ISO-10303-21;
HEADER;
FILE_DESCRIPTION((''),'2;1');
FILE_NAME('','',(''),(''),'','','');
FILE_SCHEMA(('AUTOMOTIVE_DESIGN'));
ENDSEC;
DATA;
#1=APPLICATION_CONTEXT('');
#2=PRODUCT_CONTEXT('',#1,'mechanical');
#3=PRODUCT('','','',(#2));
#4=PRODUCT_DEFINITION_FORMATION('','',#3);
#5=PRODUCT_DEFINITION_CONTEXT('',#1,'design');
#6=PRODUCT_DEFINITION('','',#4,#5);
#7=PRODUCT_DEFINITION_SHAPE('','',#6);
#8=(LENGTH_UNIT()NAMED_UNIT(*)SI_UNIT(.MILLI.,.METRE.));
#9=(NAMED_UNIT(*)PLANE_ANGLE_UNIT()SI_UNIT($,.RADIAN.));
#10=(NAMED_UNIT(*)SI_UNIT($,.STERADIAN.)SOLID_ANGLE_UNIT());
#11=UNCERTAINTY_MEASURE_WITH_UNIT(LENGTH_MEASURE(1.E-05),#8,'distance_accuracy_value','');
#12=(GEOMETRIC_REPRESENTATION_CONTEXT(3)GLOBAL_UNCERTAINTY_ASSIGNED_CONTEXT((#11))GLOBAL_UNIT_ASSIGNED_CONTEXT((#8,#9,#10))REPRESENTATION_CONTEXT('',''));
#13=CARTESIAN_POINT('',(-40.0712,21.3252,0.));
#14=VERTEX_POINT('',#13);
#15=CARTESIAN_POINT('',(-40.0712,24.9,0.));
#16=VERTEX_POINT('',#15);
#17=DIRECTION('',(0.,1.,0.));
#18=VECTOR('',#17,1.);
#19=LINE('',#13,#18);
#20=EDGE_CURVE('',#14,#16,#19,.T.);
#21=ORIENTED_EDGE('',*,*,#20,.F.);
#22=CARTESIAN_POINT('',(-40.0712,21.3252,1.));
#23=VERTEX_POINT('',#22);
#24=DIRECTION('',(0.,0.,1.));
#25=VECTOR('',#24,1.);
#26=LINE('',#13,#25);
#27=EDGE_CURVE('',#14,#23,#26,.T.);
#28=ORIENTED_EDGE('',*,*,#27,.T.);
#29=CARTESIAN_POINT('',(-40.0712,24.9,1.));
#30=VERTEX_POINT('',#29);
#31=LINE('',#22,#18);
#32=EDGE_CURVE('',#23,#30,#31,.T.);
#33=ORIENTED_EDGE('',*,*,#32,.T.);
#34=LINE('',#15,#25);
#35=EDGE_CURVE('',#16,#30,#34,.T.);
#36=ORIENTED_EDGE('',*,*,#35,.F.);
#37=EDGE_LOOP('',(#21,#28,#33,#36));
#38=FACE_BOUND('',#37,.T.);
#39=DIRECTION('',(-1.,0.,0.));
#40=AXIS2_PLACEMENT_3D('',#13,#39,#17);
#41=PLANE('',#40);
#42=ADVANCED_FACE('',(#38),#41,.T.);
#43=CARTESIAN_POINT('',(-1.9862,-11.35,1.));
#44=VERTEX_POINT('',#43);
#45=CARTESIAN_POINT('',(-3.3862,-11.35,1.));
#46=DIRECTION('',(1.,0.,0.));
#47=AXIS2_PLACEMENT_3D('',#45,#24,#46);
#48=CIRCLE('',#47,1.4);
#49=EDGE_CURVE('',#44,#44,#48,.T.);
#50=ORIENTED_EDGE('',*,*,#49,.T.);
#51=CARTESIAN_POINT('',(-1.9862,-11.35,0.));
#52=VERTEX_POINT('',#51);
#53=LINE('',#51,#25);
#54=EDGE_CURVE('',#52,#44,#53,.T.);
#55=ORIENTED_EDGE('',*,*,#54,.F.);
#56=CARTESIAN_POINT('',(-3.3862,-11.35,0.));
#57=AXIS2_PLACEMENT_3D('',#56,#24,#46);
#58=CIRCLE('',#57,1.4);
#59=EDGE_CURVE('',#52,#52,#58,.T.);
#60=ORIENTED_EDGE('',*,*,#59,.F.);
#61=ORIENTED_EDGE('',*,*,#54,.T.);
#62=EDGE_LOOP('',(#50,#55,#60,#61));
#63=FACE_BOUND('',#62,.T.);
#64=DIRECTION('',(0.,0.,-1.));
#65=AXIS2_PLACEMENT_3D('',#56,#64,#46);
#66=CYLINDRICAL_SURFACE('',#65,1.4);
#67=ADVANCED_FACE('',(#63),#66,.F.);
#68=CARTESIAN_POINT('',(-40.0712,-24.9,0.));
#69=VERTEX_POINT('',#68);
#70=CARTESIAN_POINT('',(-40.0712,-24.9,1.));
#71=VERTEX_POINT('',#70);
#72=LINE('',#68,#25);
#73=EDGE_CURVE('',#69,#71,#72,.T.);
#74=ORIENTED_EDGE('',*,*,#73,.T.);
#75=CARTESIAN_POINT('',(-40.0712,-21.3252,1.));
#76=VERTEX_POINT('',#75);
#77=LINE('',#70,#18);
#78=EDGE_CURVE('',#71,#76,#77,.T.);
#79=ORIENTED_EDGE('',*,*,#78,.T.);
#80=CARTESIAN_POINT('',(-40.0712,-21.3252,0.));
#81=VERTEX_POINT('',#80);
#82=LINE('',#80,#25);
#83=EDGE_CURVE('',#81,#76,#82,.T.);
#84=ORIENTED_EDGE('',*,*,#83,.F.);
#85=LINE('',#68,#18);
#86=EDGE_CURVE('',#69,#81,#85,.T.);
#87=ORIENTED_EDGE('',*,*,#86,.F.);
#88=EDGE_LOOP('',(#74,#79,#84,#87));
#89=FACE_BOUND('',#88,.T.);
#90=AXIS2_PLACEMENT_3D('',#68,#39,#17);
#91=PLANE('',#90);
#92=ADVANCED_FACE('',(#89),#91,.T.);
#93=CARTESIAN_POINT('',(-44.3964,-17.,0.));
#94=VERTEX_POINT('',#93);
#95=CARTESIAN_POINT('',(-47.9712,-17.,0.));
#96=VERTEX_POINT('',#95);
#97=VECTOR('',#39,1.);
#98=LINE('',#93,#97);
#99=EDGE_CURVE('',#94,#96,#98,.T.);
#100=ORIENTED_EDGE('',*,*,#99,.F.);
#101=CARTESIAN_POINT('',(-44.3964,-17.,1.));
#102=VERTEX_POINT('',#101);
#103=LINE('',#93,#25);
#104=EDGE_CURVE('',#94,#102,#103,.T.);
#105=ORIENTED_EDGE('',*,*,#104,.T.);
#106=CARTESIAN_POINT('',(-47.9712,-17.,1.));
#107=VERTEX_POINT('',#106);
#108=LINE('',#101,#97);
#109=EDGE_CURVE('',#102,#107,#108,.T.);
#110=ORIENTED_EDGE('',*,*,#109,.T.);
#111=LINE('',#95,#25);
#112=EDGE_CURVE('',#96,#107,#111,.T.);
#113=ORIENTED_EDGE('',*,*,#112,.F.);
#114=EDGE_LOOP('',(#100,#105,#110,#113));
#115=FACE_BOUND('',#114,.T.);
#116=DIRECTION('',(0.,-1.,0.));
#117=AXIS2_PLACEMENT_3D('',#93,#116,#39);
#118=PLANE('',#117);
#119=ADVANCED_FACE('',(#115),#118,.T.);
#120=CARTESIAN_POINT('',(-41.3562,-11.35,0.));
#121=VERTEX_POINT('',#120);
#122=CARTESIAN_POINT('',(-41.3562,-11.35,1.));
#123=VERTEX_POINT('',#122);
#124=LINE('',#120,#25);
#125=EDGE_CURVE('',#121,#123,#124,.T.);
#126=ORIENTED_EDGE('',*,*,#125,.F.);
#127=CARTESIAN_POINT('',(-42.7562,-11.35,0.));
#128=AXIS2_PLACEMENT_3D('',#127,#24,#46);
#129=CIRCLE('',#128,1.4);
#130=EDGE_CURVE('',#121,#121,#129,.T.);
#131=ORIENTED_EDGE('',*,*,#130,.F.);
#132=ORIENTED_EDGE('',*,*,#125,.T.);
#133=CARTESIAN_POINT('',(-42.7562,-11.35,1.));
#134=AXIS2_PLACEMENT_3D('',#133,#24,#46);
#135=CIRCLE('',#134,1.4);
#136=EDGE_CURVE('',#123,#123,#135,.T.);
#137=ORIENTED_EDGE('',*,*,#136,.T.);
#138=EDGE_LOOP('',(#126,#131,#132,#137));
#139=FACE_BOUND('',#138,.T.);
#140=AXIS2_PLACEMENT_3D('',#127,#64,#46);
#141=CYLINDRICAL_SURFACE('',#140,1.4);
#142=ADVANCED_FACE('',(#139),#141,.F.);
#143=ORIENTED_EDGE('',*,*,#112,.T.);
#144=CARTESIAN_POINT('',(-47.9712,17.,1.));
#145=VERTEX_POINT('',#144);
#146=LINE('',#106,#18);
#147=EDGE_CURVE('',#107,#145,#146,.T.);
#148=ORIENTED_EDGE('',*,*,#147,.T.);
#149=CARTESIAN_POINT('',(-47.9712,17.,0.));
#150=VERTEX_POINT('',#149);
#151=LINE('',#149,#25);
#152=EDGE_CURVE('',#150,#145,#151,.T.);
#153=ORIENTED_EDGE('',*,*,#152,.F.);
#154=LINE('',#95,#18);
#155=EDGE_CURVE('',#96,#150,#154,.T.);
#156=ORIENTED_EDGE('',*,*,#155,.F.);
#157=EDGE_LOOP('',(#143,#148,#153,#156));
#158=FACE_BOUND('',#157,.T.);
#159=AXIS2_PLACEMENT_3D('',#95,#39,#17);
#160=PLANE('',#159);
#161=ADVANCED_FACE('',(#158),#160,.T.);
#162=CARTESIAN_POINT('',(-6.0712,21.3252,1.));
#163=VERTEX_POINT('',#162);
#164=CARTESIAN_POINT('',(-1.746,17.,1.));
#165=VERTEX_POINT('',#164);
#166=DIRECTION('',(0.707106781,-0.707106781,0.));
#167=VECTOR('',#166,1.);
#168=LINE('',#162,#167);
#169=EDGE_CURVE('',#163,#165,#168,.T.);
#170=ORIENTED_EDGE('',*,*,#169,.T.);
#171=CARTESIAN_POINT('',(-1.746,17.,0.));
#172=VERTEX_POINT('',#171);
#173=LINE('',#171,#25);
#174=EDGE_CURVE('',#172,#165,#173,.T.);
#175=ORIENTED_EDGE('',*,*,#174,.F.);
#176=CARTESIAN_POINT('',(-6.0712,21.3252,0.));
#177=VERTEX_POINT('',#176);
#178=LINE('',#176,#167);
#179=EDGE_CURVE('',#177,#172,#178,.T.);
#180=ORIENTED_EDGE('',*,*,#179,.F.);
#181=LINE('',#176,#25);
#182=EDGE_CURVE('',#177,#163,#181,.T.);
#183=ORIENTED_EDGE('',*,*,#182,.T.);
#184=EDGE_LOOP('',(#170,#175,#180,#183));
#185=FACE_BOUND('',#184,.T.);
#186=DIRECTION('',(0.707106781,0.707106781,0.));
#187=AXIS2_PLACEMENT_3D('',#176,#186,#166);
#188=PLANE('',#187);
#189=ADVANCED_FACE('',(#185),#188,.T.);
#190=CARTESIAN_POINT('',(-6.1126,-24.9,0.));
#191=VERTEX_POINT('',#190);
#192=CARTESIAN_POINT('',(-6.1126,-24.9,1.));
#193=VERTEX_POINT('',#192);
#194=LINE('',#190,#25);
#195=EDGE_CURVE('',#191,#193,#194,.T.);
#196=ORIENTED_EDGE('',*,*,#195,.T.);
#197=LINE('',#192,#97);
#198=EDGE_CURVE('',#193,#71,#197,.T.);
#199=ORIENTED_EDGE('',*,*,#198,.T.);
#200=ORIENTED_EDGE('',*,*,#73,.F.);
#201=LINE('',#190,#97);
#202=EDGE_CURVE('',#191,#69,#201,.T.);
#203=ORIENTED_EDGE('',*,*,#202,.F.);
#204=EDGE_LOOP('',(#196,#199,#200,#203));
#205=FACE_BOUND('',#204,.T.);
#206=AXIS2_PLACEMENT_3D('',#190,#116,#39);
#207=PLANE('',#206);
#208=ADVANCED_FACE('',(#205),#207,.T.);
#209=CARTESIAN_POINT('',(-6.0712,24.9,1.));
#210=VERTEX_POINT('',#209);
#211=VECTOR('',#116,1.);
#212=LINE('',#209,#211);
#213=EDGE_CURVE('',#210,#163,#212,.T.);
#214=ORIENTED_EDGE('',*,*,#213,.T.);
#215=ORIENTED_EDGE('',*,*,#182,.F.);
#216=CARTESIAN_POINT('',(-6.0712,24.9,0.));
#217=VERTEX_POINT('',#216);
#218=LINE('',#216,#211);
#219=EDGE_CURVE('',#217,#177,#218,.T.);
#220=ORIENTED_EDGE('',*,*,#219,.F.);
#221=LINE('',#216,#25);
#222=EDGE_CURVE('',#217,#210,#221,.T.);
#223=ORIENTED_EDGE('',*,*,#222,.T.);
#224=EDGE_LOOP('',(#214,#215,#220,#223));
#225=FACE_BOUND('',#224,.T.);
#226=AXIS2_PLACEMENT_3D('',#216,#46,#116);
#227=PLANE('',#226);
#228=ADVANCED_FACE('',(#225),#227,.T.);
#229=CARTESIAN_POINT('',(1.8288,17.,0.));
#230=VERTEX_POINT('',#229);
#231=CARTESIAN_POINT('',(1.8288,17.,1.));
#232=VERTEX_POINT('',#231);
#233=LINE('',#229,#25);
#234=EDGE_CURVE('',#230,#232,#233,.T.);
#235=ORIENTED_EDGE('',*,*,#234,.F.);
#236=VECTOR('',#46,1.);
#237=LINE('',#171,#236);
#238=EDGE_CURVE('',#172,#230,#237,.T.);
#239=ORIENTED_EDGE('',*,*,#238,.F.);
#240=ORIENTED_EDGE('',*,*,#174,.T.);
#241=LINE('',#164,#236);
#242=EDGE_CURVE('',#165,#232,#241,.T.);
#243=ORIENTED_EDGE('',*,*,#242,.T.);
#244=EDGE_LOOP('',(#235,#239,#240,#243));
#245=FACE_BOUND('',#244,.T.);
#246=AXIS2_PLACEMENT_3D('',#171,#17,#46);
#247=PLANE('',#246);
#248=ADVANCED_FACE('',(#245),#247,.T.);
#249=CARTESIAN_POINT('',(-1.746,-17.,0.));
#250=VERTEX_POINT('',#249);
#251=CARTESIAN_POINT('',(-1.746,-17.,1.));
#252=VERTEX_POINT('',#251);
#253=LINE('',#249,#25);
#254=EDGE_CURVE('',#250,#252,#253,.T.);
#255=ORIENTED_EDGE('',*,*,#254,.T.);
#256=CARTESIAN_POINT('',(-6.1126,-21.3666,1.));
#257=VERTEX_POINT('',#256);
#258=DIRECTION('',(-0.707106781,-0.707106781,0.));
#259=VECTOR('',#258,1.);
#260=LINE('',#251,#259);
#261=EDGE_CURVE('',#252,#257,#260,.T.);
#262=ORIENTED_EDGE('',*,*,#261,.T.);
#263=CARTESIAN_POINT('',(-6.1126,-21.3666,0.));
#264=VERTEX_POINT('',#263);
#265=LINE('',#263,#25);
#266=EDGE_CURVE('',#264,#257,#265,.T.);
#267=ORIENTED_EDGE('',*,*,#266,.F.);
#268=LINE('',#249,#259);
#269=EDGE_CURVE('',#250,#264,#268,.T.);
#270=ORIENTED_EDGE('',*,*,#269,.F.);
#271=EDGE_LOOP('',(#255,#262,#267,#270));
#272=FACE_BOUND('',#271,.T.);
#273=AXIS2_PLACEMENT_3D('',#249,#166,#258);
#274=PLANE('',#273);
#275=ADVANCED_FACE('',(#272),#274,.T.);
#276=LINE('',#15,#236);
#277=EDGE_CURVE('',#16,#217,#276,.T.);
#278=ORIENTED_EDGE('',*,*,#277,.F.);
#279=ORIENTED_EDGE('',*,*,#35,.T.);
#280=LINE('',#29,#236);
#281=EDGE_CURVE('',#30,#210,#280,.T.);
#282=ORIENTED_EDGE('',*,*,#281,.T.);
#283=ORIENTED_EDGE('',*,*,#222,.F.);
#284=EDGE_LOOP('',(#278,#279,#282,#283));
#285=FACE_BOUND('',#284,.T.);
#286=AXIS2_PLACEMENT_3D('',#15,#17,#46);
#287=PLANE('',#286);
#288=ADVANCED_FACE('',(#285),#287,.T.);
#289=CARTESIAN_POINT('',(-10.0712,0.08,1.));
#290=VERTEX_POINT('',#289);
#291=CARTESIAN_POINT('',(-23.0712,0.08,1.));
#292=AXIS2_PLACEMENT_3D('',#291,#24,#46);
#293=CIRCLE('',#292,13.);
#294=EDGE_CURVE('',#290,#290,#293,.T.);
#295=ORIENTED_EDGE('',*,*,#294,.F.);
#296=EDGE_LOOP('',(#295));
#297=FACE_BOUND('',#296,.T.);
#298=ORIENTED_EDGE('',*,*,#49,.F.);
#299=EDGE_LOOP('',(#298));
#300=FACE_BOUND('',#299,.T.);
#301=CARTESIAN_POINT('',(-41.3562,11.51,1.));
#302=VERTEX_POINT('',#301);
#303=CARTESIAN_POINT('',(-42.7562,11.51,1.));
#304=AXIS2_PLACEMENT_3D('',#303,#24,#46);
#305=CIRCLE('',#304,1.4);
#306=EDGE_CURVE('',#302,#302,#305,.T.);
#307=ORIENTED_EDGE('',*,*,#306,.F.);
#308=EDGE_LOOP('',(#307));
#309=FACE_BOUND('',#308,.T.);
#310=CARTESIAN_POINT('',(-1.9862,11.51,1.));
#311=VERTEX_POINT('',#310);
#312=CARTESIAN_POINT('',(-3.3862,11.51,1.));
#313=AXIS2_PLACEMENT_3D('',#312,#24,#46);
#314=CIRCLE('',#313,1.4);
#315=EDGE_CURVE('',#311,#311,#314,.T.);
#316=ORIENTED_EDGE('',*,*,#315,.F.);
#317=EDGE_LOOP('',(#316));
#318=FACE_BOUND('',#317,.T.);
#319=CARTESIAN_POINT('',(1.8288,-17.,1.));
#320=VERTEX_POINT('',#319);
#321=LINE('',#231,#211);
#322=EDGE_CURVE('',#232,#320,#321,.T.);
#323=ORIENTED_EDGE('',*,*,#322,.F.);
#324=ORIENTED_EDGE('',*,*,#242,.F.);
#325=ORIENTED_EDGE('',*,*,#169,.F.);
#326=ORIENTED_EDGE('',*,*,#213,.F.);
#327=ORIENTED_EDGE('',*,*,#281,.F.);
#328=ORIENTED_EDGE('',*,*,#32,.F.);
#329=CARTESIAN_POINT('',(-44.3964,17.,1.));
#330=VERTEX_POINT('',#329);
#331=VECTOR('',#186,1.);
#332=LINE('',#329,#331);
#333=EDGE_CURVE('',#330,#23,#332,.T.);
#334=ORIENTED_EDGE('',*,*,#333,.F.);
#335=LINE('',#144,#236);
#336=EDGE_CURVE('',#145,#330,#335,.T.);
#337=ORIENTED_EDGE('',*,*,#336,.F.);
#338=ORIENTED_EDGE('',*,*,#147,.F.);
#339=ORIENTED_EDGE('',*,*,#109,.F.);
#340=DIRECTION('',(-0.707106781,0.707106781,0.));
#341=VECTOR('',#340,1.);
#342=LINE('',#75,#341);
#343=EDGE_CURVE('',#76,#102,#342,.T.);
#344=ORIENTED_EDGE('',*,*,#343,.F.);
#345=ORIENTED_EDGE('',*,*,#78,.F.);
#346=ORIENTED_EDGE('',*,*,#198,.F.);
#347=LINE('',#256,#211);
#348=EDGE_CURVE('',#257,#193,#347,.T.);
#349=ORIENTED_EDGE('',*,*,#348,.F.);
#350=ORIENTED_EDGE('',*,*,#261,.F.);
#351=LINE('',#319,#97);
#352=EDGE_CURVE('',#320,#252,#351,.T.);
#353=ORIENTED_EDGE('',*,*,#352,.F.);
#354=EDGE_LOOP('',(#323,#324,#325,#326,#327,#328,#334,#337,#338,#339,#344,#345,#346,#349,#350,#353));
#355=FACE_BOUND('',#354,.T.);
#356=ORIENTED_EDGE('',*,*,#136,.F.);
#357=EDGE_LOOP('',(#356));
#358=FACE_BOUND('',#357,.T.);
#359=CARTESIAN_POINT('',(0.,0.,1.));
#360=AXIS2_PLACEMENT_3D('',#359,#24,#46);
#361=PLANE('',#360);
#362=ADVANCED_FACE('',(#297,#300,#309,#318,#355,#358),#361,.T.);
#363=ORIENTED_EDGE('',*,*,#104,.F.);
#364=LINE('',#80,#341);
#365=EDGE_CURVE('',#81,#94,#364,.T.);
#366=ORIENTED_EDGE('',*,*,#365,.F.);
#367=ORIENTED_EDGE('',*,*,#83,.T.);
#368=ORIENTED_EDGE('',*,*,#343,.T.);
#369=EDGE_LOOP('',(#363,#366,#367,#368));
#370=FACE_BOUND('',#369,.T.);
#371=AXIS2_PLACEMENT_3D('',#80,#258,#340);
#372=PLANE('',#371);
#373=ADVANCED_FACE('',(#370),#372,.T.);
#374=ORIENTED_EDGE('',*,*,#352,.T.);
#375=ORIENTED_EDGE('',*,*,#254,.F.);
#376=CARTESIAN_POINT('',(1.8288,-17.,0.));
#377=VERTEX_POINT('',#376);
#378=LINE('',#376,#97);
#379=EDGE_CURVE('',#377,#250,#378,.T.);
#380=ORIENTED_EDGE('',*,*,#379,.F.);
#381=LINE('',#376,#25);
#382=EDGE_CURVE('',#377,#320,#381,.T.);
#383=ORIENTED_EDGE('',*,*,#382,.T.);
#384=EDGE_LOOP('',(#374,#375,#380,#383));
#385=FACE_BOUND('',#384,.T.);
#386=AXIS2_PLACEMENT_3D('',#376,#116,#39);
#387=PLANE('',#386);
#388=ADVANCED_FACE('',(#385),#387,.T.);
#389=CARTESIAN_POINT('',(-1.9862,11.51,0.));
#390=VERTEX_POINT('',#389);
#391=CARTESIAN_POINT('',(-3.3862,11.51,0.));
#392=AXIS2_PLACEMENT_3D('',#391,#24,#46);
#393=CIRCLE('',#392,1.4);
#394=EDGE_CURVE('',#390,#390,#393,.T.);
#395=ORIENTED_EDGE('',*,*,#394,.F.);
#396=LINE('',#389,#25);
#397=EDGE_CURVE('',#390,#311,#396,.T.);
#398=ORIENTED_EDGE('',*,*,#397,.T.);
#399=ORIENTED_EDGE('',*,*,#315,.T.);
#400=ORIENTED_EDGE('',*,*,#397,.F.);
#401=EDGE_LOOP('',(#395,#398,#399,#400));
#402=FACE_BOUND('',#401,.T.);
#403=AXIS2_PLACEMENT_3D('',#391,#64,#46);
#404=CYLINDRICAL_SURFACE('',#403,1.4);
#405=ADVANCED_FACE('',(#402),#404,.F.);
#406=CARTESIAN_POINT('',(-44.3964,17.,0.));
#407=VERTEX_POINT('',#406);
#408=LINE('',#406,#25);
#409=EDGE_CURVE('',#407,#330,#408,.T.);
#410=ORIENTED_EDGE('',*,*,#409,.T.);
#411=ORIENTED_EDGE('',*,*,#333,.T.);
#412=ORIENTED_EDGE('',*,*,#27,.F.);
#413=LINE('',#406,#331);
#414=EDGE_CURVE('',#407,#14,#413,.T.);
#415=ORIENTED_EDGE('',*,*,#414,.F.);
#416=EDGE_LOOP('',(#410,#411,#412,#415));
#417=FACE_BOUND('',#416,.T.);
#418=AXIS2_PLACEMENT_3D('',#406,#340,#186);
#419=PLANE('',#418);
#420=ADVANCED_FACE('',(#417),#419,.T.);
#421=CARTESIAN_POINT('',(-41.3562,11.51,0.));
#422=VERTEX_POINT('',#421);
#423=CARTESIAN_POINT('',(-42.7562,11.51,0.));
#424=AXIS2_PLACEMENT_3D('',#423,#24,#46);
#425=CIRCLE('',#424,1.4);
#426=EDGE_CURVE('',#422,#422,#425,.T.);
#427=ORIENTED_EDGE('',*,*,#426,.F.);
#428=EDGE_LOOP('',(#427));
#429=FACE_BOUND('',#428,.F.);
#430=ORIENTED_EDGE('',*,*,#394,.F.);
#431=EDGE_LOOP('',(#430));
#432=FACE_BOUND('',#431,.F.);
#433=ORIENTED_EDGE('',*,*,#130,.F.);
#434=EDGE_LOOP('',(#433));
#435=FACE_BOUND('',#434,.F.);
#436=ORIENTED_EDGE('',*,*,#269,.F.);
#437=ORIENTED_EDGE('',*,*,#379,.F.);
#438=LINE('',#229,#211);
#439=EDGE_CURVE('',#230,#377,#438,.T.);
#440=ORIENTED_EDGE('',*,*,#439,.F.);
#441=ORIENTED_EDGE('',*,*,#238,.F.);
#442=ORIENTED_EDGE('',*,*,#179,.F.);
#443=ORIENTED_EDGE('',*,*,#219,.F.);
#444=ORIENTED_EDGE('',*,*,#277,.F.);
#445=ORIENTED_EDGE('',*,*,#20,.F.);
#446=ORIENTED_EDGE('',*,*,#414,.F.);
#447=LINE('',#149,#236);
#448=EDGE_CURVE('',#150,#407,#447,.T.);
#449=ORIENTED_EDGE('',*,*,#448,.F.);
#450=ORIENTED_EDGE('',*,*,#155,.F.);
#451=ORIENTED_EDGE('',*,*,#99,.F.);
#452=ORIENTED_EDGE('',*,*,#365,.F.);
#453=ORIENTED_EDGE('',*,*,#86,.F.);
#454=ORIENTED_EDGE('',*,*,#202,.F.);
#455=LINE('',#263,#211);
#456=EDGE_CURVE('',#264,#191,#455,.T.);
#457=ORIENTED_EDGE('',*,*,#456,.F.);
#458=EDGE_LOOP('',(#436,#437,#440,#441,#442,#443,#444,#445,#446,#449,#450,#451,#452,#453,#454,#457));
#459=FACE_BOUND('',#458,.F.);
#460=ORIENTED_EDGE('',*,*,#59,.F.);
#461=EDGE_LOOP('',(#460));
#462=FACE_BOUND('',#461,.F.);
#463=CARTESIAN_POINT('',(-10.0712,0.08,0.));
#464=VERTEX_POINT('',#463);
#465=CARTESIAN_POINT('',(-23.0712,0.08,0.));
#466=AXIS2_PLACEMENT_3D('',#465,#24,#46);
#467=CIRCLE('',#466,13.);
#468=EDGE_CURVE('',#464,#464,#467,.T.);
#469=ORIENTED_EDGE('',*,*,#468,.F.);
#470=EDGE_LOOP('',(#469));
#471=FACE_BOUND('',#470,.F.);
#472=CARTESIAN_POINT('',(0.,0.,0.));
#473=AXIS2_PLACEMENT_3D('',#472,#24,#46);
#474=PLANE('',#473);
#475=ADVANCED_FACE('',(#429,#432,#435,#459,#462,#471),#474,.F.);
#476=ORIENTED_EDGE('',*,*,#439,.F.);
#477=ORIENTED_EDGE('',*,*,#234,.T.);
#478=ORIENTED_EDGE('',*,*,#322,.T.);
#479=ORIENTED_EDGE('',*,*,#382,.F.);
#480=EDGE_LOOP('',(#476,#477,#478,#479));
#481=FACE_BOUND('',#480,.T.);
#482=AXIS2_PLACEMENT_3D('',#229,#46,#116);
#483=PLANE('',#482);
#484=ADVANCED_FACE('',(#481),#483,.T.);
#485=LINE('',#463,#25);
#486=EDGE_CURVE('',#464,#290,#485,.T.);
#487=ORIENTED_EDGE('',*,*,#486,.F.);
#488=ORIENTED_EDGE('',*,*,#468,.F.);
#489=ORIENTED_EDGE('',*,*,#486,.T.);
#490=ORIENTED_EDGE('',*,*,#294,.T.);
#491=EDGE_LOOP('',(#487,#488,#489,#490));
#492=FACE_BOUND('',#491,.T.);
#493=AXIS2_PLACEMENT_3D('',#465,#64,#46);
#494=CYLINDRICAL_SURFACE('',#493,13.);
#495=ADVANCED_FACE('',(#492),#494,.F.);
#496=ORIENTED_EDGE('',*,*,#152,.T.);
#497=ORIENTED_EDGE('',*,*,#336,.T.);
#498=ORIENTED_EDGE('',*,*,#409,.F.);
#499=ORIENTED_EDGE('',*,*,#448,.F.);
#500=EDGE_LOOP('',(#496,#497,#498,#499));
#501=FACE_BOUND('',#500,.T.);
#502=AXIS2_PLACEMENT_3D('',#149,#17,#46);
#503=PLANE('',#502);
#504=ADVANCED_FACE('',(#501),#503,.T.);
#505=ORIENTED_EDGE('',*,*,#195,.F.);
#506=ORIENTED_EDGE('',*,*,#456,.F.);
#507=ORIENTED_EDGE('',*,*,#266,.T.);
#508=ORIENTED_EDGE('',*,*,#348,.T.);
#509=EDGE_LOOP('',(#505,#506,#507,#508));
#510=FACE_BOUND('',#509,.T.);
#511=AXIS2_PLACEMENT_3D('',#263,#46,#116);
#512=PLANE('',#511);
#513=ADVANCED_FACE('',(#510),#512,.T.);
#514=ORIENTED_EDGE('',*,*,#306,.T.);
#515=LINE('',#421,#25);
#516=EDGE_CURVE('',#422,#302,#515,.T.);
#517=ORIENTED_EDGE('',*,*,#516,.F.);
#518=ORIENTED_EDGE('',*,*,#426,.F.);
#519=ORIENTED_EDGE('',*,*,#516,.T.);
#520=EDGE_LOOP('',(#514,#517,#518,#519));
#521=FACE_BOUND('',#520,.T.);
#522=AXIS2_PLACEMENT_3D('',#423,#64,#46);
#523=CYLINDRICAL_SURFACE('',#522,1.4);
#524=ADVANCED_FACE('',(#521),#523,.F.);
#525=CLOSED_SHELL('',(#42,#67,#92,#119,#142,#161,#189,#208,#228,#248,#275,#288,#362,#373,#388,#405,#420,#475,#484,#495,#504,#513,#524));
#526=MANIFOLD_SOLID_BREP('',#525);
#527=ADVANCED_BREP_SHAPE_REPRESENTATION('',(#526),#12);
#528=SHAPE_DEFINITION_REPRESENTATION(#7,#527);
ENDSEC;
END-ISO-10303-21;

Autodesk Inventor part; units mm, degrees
ref_plane "YZ Plane" through (0, 0, 0) normal (1, 0, 0) x (0, 1, 0)
ref_plane "XZ Plane" through (0, 0, 0) normal (0, 1, 0) x (-1, 0, 0)
ref_plane "XY Plane" through (0, 0, 0) normal (0, 0, 1) x (1, 0, 0)
ref_plane "Arbeitsebene1" through (0, 0, 0) normal (0, 0, 1) x (1, 0, 0)
sketch "Skizze1" plane through (0, 0, 0) normal (0, 0, 1) x (1, 0, 0)
  circle A0 centre (-3.3862, 11.51) radius 1.4 projected
  circle A1 centre (-42.7562, -11.35) radius 1.4 projected
  circle A2 centre (-42.7562, 11.51) radius 1.4 projected
  circle A3 centre (-3.3862, -11.35) radius 1.4 projected
  circle A4 centre (-23.0712, 0.08) radius 13 projected
  line L0 (-6.1126, -24.9) -> (-40.0712, -24.9) projected
  line L1 (-40.0712, -24.9) -> (-40.0712, -21.3252) projected
  line L2 (-40.0712, -21.3252) -> (-44.3964, -17) projected
  line L3 (-44.3964, -17) -> (-47.9712, -17) projected
  line L4 (-47.9712, -17) -> (-47.9712, 17) projected
  line L5 (-47.9712, 17) -> (-44.3964, 17) projected
  line L6 (-44.3964, 17) -> (-40.0712, 21.3252) projected
  line L7 (-40.0712, 21.3252) -> (-40.0712, 24.9) projected
  line L8 (-40.0712, 24.9) -> (-6.0712, 24.9) projected
  line L9 (-6.0712, 24.9) -> (-6.0712, 21.3252) projected
  line L10 (-6.0712, 21.3252) -> (-1.746, 17) projected
  line L11 (-1.746, 17) -> (1.8288, 17) projected
  line L12 (1.8288, 17) -> (1.8288, -17) projected
  line L13 (1.8288, -17) -> (-1.746, -17) projected
  line L14 (-1.746, -17) -> (-6.1126, -21.3666) projected
  line L15 (-6.1126, -21.3666) -> (-6.1126, -24.9) projected
  point P0 (0, 0)
extrude "Extrusion1" add sketch "Skizze1" along normal blind 1
properties part number "20_Cube_Insert_XY_manipulator_lid_v3"
